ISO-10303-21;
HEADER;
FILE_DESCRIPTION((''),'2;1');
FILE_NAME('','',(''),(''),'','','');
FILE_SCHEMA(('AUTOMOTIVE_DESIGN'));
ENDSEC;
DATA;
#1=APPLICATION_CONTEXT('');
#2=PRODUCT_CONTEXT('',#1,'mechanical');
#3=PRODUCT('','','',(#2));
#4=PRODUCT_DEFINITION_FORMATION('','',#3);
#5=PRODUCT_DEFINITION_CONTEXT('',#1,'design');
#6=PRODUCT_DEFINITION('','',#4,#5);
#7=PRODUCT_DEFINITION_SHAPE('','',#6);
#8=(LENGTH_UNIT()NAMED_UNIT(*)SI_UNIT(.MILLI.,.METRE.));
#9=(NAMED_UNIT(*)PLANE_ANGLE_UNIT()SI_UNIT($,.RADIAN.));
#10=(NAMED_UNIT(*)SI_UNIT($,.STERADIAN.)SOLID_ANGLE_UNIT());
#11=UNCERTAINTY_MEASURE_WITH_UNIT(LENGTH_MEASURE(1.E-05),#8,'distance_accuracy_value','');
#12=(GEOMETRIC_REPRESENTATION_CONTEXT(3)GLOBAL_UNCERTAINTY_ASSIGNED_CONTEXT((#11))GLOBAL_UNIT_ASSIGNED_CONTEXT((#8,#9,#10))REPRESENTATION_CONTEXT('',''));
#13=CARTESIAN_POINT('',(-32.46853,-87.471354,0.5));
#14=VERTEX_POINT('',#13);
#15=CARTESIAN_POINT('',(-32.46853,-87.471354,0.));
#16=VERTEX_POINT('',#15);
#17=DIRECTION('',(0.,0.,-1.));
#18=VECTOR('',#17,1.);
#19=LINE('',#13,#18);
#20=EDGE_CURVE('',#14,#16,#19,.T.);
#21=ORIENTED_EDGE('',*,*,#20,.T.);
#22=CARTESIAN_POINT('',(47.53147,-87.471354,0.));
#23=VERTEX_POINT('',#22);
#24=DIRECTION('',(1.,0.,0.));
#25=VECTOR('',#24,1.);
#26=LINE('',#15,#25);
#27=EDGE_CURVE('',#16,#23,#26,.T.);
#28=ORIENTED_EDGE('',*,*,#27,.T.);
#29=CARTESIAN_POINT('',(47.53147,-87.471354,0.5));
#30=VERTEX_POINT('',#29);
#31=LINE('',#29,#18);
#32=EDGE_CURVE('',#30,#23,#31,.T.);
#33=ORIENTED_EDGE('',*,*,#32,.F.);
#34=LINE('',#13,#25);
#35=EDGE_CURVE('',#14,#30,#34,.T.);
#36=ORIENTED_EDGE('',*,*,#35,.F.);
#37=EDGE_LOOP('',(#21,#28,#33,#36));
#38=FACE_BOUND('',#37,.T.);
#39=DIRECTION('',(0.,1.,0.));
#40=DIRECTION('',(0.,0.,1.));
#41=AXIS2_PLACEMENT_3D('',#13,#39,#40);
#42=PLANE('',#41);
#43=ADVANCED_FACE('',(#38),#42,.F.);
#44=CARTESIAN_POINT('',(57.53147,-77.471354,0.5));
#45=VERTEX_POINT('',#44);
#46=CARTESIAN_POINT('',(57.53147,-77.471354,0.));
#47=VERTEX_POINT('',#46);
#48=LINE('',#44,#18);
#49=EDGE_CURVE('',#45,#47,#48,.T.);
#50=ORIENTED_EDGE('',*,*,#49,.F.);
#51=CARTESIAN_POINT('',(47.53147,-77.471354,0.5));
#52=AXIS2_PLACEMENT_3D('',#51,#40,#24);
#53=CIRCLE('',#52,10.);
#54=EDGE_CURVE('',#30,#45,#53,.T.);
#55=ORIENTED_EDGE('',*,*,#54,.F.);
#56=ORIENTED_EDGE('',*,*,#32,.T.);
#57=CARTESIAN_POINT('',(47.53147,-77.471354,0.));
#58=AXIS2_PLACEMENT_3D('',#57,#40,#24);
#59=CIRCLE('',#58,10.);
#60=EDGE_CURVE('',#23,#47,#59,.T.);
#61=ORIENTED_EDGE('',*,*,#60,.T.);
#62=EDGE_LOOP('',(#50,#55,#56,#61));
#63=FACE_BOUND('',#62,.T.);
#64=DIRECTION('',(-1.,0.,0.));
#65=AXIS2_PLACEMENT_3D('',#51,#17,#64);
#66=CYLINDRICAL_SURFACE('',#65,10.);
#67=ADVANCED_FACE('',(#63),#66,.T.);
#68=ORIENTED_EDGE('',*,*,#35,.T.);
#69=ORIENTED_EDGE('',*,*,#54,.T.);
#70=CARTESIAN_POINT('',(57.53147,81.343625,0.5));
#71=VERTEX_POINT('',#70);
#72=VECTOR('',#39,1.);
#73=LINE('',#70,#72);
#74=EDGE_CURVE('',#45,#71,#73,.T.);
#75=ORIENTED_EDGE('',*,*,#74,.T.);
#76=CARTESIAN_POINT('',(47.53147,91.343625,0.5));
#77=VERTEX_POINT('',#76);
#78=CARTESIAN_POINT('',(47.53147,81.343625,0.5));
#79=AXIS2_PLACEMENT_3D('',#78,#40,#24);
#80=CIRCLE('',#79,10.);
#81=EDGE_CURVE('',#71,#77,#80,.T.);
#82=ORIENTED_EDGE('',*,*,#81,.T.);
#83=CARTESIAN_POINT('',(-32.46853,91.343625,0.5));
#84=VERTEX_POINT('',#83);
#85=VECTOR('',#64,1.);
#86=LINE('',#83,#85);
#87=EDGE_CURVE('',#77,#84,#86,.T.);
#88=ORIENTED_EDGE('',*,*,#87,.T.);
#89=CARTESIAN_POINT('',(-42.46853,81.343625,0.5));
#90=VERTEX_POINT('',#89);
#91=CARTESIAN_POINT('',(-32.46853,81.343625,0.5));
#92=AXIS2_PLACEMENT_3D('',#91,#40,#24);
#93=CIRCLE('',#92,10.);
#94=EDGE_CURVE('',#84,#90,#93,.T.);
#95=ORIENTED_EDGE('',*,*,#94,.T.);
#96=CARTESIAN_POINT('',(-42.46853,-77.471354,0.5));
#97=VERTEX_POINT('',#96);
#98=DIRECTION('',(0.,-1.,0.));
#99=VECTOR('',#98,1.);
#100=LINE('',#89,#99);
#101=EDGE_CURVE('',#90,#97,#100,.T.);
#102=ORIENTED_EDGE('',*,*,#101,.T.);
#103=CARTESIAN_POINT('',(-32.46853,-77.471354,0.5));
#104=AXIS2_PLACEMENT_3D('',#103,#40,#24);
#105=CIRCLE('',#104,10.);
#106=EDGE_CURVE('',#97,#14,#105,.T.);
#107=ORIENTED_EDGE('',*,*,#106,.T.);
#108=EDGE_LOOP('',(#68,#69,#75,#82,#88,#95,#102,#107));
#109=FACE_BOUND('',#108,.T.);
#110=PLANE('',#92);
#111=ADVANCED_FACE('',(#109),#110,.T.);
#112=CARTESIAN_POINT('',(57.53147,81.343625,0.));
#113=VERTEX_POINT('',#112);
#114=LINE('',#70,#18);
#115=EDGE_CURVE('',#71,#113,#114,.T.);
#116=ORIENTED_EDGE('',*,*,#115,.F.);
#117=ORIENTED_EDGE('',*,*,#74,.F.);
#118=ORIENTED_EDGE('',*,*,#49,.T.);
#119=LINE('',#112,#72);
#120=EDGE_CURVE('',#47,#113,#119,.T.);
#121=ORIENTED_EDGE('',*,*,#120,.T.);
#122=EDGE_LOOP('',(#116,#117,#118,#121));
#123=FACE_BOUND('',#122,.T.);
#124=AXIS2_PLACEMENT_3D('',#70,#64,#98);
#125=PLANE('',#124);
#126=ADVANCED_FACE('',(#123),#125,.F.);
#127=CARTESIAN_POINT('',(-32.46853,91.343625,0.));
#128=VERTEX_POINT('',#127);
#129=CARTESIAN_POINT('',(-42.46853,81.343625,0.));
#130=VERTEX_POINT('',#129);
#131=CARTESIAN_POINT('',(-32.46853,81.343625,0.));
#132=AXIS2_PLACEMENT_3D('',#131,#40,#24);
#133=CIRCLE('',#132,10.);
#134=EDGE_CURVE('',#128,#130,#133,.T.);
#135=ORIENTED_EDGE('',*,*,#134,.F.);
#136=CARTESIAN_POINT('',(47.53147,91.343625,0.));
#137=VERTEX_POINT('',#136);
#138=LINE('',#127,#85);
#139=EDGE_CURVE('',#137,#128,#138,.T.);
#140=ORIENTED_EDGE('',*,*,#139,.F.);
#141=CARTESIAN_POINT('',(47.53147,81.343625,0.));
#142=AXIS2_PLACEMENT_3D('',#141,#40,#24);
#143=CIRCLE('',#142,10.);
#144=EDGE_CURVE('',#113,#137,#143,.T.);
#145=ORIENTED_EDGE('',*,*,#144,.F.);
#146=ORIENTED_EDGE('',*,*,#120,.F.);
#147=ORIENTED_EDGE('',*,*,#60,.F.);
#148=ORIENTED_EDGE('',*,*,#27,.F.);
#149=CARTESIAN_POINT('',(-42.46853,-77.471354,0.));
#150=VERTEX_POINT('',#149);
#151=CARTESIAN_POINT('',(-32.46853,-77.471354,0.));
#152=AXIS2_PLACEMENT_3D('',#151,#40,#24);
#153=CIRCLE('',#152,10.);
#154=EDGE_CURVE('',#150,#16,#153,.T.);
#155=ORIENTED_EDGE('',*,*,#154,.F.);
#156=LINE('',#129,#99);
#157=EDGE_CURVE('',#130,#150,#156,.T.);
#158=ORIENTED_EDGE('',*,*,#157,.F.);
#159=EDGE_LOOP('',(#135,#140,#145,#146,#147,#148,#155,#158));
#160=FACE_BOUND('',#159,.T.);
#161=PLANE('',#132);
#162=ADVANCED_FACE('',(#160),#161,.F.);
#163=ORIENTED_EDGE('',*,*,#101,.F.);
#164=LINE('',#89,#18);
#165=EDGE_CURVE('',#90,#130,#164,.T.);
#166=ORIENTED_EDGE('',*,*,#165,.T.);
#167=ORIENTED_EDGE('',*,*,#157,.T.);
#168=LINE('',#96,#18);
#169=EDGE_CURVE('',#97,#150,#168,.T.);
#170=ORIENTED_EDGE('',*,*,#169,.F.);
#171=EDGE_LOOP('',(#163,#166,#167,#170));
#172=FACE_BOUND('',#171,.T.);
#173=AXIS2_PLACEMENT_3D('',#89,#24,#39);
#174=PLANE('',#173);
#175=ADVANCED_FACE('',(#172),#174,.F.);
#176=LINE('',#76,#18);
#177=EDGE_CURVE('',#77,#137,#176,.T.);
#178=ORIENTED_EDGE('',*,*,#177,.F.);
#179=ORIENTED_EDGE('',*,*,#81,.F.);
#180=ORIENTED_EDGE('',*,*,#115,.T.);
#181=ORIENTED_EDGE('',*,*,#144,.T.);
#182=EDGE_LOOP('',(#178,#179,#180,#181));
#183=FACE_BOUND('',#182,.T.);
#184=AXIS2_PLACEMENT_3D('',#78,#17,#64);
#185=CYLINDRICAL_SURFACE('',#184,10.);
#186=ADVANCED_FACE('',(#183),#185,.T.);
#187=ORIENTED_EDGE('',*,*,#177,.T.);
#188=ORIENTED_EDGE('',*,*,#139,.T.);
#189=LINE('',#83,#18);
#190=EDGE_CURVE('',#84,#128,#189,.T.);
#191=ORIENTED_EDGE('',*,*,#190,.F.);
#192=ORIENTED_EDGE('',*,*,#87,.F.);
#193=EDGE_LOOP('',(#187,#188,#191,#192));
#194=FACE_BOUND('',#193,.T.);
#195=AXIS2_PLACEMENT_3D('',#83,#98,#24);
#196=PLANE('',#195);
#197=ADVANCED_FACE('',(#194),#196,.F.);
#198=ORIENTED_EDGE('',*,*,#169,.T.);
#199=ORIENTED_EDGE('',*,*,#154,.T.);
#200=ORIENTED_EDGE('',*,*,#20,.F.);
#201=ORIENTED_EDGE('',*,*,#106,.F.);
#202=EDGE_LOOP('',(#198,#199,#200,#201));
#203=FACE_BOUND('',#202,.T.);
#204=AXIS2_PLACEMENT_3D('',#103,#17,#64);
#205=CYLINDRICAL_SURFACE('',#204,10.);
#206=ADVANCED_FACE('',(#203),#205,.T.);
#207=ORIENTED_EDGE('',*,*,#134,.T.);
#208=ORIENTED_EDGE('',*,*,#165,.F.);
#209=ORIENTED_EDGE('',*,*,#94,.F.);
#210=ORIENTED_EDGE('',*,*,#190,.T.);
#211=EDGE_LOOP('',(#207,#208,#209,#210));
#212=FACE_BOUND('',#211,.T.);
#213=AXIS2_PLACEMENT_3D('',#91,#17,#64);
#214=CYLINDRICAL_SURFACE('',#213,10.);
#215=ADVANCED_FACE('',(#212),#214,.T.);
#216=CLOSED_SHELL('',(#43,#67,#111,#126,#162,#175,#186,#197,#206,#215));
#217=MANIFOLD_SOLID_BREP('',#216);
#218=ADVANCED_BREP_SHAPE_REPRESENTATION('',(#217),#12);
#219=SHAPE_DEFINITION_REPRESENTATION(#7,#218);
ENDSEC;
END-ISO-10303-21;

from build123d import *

# Parameters (mm, degrees)
EXTRUDE_1_DEPTH = 0.5


with BuildPart() as part:
    # Эскиз1 → Вытянуть1 (new body)
    with BuildSketch(Plane.XY):
        with BuildLine():
            Line((-32.468529509, 91.343624557), (47.531470491, 91.343624557))
            ThreePointArc((47.531470491, 91.343624557), (54.602538303, 88.414692369), (57.531470491, 81.343624557))
            Line((57.531470491, 81.343624557), (57.531470491, -77.471354009))
            ThreePointArc((57.531470491, -77.471354009), (54.602538303, -84.542421821), (47.531470491, -87.471354009))
            Line((47.531470491, -87.471354009), (-32.468529509, -87.471354009))
            ThreePointArc((-32.468529509, -87.471354009), (-39.539597321, -84.542421821), (-42.468529509, -77.471354009))
            Line((-42.468529509, -77.471354009), (-42.468529509, 81.343624557))
            ThreePointArc((-42.468529509, 81.343624557), (-39.539597321, 88.414692369), (-32.468529509, 91.343624557))
        make_face()
    extrude(amount=EXTRUDE_1_DEPTH)


solid = part.part
